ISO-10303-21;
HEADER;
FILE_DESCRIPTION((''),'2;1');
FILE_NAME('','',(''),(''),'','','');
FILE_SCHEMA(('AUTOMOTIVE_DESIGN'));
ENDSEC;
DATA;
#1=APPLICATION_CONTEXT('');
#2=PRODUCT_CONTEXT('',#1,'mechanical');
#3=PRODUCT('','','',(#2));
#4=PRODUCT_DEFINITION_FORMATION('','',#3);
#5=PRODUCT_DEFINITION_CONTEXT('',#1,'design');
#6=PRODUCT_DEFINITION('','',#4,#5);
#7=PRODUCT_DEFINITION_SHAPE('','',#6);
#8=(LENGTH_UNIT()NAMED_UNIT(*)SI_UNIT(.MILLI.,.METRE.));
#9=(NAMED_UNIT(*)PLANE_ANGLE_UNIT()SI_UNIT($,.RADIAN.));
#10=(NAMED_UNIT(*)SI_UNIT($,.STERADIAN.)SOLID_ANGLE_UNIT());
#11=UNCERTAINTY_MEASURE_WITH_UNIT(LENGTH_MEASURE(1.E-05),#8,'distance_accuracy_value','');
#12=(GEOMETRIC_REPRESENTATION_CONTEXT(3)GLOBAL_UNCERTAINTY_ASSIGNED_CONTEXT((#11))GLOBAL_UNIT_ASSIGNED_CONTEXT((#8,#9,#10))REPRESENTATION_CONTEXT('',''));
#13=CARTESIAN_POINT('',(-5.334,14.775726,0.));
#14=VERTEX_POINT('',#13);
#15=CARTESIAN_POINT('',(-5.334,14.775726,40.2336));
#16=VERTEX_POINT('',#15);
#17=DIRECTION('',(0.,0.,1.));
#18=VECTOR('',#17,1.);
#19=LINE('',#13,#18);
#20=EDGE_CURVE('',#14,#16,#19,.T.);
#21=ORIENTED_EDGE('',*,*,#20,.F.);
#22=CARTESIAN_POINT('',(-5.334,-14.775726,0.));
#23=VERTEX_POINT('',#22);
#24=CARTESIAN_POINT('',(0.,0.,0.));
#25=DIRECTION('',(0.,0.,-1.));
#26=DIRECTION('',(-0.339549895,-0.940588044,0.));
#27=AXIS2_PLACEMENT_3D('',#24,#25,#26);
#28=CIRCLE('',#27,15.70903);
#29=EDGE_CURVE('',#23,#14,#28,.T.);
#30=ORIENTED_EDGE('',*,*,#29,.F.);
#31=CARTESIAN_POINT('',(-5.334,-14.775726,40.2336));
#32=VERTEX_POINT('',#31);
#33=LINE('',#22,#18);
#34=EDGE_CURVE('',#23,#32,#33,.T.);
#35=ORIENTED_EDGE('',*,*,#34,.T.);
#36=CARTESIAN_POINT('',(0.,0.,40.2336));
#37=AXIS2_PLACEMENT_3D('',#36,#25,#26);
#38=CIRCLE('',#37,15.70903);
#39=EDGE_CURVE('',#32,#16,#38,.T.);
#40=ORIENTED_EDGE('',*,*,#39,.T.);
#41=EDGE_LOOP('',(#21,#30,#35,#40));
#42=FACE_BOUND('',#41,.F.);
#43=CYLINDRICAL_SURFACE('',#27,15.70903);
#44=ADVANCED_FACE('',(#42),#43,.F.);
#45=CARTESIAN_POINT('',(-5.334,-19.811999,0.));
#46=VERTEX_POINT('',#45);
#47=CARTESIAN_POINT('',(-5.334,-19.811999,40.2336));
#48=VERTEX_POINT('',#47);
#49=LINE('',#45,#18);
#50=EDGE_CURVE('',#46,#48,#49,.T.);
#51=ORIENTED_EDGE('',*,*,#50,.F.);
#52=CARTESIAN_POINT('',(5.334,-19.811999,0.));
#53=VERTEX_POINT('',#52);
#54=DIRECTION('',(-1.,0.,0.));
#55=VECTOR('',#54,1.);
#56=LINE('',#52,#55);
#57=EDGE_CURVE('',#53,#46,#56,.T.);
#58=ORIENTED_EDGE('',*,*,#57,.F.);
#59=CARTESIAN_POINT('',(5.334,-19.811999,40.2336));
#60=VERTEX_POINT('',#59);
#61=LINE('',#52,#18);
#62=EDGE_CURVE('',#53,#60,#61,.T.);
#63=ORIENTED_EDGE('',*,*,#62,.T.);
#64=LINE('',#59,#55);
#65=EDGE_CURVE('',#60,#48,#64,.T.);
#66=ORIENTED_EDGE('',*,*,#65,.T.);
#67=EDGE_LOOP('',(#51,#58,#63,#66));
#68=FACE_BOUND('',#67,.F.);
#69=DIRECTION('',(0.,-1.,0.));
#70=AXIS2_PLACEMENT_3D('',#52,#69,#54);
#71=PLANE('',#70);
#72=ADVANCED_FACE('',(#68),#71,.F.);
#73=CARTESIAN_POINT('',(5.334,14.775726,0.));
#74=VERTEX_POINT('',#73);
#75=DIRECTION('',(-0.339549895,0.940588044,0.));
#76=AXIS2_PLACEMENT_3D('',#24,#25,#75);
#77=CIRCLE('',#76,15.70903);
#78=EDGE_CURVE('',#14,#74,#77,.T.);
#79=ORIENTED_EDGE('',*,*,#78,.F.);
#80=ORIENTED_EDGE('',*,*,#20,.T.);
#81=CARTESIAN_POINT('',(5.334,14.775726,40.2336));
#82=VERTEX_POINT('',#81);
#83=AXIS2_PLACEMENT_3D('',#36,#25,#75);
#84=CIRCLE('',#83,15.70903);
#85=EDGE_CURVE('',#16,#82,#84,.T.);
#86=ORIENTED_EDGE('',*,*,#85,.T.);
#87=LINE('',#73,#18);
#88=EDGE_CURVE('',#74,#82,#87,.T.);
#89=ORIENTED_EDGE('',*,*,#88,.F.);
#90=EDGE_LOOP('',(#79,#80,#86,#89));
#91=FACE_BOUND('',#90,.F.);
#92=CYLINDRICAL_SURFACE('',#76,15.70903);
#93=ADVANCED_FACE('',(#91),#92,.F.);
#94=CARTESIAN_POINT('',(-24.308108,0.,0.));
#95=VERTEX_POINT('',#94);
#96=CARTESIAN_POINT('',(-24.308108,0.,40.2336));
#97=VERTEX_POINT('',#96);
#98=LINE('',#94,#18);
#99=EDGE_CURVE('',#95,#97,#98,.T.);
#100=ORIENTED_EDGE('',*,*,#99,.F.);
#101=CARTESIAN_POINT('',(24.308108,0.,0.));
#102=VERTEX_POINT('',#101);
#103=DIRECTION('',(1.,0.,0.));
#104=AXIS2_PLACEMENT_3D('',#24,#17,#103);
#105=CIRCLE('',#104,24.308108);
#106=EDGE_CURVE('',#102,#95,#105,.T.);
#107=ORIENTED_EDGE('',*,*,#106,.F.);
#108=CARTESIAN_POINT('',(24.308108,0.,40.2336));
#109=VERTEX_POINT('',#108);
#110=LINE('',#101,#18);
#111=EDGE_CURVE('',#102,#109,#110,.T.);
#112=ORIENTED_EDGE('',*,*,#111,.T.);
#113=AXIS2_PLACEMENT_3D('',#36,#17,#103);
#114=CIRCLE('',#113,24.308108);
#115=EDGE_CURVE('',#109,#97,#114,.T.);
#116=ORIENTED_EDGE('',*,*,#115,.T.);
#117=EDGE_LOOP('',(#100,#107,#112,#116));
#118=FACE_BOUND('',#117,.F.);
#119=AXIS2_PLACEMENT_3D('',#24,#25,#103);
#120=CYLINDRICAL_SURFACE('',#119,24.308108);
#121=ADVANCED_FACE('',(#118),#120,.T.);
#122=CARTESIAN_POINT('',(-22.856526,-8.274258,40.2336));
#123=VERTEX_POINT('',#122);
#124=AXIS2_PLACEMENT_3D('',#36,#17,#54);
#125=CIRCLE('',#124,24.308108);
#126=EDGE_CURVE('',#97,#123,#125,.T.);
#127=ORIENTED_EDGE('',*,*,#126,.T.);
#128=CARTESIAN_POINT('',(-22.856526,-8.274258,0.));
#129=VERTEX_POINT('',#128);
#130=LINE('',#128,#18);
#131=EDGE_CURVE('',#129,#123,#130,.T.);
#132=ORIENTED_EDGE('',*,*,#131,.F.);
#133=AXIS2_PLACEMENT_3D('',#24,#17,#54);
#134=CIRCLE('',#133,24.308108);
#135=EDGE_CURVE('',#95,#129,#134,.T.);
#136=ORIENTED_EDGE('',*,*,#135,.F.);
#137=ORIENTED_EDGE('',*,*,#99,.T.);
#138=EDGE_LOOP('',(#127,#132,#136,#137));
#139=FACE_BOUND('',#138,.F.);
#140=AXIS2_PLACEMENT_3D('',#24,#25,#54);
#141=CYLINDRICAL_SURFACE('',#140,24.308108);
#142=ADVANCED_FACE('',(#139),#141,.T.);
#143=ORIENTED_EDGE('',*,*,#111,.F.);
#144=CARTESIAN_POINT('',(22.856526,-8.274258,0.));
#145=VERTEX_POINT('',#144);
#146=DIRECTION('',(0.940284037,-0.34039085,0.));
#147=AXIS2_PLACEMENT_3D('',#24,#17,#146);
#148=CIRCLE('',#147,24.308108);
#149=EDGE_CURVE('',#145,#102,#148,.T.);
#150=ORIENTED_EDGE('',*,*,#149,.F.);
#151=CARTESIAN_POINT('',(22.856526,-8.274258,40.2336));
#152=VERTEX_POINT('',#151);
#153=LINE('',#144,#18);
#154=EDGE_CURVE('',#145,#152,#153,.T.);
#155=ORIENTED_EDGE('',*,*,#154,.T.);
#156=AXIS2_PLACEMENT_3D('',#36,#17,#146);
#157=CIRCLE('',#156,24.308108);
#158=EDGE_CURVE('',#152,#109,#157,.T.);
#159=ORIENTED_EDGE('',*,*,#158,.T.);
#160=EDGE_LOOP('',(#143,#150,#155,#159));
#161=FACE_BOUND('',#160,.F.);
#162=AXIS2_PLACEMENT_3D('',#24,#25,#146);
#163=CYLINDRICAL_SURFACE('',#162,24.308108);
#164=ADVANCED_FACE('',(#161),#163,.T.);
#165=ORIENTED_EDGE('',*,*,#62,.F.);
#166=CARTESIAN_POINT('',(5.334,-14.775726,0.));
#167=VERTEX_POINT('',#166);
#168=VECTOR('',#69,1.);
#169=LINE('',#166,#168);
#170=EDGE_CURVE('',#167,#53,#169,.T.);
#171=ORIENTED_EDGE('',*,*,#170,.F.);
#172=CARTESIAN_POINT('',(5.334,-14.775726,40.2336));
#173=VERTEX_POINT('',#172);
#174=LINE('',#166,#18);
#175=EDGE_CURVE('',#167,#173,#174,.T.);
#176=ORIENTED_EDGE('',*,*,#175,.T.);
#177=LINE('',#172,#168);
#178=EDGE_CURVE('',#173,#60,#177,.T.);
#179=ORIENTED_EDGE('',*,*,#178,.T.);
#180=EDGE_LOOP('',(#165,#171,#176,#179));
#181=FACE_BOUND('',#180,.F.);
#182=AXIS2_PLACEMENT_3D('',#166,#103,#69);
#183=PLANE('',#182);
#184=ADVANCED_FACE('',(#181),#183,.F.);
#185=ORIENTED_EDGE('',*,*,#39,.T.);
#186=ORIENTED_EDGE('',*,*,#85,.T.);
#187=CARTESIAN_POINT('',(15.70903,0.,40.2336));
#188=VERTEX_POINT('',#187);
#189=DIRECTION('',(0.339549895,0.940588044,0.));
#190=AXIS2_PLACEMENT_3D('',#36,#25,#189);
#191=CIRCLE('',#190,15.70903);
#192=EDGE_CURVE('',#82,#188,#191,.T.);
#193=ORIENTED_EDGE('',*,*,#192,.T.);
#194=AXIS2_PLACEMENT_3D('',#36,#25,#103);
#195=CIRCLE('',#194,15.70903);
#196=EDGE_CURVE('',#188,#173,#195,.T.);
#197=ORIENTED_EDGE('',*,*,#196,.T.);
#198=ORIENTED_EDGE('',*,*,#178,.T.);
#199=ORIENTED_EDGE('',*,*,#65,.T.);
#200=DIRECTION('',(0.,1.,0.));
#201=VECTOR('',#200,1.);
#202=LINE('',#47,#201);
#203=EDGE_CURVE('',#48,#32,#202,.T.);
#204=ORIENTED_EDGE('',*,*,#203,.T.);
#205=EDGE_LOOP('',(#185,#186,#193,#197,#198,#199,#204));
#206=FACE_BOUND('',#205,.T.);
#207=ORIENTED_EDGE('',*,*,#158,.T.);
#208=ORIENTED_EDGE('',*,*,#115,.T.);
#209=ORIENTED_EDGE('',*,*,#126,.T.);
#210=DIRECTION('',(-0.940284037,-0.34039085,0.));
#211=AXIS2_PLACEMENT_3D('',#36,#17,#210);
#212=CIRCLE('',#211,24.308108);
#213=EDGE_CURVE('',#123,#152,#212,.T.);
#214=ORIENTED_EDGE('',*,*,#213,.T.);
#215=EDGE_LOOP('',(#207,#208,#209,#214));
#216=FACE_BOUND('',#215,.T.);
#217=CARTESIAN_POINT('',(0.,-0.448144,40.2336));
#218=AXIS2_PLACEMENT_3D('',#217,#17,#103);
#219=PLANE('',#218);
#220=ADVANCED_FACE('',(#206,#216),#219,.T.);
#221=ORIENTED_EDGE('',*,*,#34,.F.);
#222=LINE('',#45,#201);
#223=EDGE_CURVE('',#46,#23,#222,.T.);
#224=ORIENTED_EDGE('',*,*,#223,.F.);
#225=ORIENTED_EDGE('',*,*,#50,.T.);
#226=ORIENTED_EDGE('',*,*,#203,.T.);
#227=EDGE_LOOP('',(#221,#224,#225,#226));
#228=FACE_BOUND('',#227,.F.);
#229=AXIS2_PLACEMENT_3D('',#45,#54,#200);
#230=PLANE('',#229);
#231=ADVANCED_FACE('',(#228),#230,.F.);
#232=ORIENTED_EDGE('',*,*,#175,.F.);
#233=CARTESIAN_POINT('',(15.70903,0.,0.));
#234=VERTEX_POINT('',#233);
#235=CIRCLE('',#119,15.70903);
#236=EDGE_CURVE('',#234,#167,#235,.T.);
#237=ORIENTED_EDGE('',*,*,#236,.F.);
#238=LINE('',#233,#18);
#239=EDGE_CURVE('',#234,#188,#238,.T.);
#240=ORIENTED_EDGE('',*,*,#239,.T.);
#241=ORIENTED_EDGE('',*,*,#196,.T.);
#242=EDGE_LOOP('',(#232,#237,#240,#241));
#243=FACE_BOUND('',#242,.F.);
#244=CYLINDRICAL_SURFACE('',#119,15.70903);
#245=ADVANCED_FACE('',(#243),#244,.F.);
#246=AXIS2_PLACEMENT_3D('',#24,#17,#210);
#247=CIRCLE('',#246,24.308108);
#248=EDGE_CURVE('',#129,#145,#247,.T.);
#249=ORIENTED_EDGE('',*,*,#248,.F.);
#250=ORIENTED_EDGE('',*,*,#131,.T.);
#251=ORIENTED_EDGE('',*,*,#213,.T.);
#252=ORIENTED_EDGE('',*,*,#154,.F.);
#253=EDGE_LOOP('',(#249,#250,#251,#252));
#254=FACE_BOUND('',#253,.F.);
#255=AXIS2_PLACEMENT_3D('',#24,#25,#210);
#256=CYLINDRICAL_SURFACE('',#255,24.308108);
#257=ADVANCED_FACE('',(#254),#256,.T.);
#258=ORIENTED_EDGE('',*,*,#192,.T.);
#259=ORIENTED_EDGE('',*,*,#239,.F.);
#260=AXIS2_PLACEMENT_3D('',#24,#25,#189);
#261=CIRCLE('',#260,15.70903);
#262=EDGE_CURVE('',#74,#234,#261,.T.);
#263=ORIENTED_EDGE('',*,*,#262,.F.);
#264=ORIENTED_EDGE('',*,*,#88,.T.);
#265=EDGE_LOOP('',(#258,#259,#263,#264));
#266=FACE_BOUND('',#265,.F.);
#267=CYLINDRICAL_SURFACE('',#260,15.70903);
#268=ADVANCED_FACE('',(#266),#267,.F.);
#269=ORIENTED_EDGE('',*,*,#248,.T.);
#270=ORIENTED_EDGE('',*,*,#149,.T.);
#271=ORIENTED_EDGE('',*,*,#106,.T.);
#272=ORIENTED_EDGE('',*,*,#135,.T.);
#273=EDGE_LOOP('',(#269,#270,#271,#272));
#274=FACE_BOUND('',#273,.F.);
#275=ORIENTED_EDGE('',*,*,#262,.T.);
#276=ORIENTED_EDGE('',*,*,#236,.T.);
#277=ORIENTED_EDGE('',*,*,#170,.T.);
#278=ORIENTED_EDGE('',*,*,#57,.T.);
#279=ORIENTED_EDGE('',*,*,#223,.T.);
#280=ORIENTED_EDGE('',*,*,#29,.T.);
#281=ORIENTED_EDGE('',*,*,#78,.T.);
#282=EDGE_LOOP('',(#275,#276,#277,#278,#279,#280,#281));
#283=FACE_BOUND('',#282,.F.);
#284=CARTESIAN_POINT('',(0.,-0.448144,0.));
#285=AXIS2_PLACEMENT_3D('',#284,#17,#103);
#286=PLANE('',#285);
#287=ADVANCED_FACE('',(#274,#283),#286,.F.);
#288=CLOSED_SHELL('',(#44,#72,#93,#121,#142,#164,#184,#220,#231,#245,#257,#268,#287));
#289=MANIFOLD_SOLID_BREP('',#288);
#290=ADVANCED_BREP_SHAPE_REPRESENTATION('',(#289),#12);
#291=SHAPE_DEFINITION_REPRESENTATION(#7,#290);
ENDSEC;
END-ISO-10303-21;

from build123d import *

# Parameters (mm, degrees)
F1_DEPTH = 40.2336


with BuildPart() as f1:
    # F0 (on Top) → F1 (new body)
    with BuildSketch(Plane.XY):
        with BuildLine():
            Line((22.8565262533, -8.2742576596), (24.3081083629, 0))
            ThreePointArc((24.3081083629, 0), (0, 24.3081083629), (-24.3081083629, 0))
            Line((-24.3081083629, 0), (-22.8565262533, -8.2742576596))
            ThreePointArc((-22.8565262533, -8.2742576596), (0, -24.3081083629), (22.8565262533, -8.2742576596))
        make_face()
        with BuildLine():
            ThreePointArc((5.3339996375, 14.7757261988), (12.8562358297, 9.0272275437), (15.7090304232, 0))
            ThreePointArc((15.7090304232, 0), (12.8562358297, -9.0272275437), (5.3339996375, -14.7757261988))
            Line((5.3339996375, -14.7757261988), (5.3339996375, -19.8119990528))
            Line((5.3339996375, -19.8119990528), (-5.3339996375, -19.8119990528))
            Line((-5.3339996375, -19.8119990528), (-5.3339996375, -14.7757261988))
            ThreePointArc((-5.3339996375, -14.7757261988), (-15.7090304232, 0), (-5.3339996375, 14.7757261988))
            Line((-5.3339996375, 14.7757261988), (-5.3339996375, 19.8119990528))
            Line((-5.3339996375, 19.8119990528), (5.3339996375, 19.8119990528))
            Line((5.3339996375, 19.8119990528), (5.3339996375, 14.7757261988))
        make_face(mode=Mode.SUBTRACT)
        with BuildLine():
            ThreePointArc((-5.3339996375, 14.7757261988), (0, 15.7090304232), (5.3339996375, 14.7757261988))
            Line((5.3339996375, 14.7757261988), (5.3339996375, 19.8119990528))
            Line((5.3339996375, 19.8119990528), (-5.3339996375, 19.8119990528))
            Line((-5.3339996375, 19.8119990528), (-5.3339996375, 14.7757261988))
        make_face()
        with BuildLine():
            ThreePointArc((22.8565262533, -8.2742576596), (23.9424627926, -4.2003104182), (24.3081083629, 0))
            Line((24.3081083629, 0), (22.8565262533, -8.2742576596))
        make_face()
        with BuildLine():
            Line((-22.8565262533, -8.2742576596), (-24.3081083629, 0))
            ThreePointArc((-24.3081083629, 0), (-23.9424627926, -4.2003104182), (-22.8565262533, -8.2742576596))
        make_face()
    extrude(amount=F1_DEPTH)


solid = f1.part
